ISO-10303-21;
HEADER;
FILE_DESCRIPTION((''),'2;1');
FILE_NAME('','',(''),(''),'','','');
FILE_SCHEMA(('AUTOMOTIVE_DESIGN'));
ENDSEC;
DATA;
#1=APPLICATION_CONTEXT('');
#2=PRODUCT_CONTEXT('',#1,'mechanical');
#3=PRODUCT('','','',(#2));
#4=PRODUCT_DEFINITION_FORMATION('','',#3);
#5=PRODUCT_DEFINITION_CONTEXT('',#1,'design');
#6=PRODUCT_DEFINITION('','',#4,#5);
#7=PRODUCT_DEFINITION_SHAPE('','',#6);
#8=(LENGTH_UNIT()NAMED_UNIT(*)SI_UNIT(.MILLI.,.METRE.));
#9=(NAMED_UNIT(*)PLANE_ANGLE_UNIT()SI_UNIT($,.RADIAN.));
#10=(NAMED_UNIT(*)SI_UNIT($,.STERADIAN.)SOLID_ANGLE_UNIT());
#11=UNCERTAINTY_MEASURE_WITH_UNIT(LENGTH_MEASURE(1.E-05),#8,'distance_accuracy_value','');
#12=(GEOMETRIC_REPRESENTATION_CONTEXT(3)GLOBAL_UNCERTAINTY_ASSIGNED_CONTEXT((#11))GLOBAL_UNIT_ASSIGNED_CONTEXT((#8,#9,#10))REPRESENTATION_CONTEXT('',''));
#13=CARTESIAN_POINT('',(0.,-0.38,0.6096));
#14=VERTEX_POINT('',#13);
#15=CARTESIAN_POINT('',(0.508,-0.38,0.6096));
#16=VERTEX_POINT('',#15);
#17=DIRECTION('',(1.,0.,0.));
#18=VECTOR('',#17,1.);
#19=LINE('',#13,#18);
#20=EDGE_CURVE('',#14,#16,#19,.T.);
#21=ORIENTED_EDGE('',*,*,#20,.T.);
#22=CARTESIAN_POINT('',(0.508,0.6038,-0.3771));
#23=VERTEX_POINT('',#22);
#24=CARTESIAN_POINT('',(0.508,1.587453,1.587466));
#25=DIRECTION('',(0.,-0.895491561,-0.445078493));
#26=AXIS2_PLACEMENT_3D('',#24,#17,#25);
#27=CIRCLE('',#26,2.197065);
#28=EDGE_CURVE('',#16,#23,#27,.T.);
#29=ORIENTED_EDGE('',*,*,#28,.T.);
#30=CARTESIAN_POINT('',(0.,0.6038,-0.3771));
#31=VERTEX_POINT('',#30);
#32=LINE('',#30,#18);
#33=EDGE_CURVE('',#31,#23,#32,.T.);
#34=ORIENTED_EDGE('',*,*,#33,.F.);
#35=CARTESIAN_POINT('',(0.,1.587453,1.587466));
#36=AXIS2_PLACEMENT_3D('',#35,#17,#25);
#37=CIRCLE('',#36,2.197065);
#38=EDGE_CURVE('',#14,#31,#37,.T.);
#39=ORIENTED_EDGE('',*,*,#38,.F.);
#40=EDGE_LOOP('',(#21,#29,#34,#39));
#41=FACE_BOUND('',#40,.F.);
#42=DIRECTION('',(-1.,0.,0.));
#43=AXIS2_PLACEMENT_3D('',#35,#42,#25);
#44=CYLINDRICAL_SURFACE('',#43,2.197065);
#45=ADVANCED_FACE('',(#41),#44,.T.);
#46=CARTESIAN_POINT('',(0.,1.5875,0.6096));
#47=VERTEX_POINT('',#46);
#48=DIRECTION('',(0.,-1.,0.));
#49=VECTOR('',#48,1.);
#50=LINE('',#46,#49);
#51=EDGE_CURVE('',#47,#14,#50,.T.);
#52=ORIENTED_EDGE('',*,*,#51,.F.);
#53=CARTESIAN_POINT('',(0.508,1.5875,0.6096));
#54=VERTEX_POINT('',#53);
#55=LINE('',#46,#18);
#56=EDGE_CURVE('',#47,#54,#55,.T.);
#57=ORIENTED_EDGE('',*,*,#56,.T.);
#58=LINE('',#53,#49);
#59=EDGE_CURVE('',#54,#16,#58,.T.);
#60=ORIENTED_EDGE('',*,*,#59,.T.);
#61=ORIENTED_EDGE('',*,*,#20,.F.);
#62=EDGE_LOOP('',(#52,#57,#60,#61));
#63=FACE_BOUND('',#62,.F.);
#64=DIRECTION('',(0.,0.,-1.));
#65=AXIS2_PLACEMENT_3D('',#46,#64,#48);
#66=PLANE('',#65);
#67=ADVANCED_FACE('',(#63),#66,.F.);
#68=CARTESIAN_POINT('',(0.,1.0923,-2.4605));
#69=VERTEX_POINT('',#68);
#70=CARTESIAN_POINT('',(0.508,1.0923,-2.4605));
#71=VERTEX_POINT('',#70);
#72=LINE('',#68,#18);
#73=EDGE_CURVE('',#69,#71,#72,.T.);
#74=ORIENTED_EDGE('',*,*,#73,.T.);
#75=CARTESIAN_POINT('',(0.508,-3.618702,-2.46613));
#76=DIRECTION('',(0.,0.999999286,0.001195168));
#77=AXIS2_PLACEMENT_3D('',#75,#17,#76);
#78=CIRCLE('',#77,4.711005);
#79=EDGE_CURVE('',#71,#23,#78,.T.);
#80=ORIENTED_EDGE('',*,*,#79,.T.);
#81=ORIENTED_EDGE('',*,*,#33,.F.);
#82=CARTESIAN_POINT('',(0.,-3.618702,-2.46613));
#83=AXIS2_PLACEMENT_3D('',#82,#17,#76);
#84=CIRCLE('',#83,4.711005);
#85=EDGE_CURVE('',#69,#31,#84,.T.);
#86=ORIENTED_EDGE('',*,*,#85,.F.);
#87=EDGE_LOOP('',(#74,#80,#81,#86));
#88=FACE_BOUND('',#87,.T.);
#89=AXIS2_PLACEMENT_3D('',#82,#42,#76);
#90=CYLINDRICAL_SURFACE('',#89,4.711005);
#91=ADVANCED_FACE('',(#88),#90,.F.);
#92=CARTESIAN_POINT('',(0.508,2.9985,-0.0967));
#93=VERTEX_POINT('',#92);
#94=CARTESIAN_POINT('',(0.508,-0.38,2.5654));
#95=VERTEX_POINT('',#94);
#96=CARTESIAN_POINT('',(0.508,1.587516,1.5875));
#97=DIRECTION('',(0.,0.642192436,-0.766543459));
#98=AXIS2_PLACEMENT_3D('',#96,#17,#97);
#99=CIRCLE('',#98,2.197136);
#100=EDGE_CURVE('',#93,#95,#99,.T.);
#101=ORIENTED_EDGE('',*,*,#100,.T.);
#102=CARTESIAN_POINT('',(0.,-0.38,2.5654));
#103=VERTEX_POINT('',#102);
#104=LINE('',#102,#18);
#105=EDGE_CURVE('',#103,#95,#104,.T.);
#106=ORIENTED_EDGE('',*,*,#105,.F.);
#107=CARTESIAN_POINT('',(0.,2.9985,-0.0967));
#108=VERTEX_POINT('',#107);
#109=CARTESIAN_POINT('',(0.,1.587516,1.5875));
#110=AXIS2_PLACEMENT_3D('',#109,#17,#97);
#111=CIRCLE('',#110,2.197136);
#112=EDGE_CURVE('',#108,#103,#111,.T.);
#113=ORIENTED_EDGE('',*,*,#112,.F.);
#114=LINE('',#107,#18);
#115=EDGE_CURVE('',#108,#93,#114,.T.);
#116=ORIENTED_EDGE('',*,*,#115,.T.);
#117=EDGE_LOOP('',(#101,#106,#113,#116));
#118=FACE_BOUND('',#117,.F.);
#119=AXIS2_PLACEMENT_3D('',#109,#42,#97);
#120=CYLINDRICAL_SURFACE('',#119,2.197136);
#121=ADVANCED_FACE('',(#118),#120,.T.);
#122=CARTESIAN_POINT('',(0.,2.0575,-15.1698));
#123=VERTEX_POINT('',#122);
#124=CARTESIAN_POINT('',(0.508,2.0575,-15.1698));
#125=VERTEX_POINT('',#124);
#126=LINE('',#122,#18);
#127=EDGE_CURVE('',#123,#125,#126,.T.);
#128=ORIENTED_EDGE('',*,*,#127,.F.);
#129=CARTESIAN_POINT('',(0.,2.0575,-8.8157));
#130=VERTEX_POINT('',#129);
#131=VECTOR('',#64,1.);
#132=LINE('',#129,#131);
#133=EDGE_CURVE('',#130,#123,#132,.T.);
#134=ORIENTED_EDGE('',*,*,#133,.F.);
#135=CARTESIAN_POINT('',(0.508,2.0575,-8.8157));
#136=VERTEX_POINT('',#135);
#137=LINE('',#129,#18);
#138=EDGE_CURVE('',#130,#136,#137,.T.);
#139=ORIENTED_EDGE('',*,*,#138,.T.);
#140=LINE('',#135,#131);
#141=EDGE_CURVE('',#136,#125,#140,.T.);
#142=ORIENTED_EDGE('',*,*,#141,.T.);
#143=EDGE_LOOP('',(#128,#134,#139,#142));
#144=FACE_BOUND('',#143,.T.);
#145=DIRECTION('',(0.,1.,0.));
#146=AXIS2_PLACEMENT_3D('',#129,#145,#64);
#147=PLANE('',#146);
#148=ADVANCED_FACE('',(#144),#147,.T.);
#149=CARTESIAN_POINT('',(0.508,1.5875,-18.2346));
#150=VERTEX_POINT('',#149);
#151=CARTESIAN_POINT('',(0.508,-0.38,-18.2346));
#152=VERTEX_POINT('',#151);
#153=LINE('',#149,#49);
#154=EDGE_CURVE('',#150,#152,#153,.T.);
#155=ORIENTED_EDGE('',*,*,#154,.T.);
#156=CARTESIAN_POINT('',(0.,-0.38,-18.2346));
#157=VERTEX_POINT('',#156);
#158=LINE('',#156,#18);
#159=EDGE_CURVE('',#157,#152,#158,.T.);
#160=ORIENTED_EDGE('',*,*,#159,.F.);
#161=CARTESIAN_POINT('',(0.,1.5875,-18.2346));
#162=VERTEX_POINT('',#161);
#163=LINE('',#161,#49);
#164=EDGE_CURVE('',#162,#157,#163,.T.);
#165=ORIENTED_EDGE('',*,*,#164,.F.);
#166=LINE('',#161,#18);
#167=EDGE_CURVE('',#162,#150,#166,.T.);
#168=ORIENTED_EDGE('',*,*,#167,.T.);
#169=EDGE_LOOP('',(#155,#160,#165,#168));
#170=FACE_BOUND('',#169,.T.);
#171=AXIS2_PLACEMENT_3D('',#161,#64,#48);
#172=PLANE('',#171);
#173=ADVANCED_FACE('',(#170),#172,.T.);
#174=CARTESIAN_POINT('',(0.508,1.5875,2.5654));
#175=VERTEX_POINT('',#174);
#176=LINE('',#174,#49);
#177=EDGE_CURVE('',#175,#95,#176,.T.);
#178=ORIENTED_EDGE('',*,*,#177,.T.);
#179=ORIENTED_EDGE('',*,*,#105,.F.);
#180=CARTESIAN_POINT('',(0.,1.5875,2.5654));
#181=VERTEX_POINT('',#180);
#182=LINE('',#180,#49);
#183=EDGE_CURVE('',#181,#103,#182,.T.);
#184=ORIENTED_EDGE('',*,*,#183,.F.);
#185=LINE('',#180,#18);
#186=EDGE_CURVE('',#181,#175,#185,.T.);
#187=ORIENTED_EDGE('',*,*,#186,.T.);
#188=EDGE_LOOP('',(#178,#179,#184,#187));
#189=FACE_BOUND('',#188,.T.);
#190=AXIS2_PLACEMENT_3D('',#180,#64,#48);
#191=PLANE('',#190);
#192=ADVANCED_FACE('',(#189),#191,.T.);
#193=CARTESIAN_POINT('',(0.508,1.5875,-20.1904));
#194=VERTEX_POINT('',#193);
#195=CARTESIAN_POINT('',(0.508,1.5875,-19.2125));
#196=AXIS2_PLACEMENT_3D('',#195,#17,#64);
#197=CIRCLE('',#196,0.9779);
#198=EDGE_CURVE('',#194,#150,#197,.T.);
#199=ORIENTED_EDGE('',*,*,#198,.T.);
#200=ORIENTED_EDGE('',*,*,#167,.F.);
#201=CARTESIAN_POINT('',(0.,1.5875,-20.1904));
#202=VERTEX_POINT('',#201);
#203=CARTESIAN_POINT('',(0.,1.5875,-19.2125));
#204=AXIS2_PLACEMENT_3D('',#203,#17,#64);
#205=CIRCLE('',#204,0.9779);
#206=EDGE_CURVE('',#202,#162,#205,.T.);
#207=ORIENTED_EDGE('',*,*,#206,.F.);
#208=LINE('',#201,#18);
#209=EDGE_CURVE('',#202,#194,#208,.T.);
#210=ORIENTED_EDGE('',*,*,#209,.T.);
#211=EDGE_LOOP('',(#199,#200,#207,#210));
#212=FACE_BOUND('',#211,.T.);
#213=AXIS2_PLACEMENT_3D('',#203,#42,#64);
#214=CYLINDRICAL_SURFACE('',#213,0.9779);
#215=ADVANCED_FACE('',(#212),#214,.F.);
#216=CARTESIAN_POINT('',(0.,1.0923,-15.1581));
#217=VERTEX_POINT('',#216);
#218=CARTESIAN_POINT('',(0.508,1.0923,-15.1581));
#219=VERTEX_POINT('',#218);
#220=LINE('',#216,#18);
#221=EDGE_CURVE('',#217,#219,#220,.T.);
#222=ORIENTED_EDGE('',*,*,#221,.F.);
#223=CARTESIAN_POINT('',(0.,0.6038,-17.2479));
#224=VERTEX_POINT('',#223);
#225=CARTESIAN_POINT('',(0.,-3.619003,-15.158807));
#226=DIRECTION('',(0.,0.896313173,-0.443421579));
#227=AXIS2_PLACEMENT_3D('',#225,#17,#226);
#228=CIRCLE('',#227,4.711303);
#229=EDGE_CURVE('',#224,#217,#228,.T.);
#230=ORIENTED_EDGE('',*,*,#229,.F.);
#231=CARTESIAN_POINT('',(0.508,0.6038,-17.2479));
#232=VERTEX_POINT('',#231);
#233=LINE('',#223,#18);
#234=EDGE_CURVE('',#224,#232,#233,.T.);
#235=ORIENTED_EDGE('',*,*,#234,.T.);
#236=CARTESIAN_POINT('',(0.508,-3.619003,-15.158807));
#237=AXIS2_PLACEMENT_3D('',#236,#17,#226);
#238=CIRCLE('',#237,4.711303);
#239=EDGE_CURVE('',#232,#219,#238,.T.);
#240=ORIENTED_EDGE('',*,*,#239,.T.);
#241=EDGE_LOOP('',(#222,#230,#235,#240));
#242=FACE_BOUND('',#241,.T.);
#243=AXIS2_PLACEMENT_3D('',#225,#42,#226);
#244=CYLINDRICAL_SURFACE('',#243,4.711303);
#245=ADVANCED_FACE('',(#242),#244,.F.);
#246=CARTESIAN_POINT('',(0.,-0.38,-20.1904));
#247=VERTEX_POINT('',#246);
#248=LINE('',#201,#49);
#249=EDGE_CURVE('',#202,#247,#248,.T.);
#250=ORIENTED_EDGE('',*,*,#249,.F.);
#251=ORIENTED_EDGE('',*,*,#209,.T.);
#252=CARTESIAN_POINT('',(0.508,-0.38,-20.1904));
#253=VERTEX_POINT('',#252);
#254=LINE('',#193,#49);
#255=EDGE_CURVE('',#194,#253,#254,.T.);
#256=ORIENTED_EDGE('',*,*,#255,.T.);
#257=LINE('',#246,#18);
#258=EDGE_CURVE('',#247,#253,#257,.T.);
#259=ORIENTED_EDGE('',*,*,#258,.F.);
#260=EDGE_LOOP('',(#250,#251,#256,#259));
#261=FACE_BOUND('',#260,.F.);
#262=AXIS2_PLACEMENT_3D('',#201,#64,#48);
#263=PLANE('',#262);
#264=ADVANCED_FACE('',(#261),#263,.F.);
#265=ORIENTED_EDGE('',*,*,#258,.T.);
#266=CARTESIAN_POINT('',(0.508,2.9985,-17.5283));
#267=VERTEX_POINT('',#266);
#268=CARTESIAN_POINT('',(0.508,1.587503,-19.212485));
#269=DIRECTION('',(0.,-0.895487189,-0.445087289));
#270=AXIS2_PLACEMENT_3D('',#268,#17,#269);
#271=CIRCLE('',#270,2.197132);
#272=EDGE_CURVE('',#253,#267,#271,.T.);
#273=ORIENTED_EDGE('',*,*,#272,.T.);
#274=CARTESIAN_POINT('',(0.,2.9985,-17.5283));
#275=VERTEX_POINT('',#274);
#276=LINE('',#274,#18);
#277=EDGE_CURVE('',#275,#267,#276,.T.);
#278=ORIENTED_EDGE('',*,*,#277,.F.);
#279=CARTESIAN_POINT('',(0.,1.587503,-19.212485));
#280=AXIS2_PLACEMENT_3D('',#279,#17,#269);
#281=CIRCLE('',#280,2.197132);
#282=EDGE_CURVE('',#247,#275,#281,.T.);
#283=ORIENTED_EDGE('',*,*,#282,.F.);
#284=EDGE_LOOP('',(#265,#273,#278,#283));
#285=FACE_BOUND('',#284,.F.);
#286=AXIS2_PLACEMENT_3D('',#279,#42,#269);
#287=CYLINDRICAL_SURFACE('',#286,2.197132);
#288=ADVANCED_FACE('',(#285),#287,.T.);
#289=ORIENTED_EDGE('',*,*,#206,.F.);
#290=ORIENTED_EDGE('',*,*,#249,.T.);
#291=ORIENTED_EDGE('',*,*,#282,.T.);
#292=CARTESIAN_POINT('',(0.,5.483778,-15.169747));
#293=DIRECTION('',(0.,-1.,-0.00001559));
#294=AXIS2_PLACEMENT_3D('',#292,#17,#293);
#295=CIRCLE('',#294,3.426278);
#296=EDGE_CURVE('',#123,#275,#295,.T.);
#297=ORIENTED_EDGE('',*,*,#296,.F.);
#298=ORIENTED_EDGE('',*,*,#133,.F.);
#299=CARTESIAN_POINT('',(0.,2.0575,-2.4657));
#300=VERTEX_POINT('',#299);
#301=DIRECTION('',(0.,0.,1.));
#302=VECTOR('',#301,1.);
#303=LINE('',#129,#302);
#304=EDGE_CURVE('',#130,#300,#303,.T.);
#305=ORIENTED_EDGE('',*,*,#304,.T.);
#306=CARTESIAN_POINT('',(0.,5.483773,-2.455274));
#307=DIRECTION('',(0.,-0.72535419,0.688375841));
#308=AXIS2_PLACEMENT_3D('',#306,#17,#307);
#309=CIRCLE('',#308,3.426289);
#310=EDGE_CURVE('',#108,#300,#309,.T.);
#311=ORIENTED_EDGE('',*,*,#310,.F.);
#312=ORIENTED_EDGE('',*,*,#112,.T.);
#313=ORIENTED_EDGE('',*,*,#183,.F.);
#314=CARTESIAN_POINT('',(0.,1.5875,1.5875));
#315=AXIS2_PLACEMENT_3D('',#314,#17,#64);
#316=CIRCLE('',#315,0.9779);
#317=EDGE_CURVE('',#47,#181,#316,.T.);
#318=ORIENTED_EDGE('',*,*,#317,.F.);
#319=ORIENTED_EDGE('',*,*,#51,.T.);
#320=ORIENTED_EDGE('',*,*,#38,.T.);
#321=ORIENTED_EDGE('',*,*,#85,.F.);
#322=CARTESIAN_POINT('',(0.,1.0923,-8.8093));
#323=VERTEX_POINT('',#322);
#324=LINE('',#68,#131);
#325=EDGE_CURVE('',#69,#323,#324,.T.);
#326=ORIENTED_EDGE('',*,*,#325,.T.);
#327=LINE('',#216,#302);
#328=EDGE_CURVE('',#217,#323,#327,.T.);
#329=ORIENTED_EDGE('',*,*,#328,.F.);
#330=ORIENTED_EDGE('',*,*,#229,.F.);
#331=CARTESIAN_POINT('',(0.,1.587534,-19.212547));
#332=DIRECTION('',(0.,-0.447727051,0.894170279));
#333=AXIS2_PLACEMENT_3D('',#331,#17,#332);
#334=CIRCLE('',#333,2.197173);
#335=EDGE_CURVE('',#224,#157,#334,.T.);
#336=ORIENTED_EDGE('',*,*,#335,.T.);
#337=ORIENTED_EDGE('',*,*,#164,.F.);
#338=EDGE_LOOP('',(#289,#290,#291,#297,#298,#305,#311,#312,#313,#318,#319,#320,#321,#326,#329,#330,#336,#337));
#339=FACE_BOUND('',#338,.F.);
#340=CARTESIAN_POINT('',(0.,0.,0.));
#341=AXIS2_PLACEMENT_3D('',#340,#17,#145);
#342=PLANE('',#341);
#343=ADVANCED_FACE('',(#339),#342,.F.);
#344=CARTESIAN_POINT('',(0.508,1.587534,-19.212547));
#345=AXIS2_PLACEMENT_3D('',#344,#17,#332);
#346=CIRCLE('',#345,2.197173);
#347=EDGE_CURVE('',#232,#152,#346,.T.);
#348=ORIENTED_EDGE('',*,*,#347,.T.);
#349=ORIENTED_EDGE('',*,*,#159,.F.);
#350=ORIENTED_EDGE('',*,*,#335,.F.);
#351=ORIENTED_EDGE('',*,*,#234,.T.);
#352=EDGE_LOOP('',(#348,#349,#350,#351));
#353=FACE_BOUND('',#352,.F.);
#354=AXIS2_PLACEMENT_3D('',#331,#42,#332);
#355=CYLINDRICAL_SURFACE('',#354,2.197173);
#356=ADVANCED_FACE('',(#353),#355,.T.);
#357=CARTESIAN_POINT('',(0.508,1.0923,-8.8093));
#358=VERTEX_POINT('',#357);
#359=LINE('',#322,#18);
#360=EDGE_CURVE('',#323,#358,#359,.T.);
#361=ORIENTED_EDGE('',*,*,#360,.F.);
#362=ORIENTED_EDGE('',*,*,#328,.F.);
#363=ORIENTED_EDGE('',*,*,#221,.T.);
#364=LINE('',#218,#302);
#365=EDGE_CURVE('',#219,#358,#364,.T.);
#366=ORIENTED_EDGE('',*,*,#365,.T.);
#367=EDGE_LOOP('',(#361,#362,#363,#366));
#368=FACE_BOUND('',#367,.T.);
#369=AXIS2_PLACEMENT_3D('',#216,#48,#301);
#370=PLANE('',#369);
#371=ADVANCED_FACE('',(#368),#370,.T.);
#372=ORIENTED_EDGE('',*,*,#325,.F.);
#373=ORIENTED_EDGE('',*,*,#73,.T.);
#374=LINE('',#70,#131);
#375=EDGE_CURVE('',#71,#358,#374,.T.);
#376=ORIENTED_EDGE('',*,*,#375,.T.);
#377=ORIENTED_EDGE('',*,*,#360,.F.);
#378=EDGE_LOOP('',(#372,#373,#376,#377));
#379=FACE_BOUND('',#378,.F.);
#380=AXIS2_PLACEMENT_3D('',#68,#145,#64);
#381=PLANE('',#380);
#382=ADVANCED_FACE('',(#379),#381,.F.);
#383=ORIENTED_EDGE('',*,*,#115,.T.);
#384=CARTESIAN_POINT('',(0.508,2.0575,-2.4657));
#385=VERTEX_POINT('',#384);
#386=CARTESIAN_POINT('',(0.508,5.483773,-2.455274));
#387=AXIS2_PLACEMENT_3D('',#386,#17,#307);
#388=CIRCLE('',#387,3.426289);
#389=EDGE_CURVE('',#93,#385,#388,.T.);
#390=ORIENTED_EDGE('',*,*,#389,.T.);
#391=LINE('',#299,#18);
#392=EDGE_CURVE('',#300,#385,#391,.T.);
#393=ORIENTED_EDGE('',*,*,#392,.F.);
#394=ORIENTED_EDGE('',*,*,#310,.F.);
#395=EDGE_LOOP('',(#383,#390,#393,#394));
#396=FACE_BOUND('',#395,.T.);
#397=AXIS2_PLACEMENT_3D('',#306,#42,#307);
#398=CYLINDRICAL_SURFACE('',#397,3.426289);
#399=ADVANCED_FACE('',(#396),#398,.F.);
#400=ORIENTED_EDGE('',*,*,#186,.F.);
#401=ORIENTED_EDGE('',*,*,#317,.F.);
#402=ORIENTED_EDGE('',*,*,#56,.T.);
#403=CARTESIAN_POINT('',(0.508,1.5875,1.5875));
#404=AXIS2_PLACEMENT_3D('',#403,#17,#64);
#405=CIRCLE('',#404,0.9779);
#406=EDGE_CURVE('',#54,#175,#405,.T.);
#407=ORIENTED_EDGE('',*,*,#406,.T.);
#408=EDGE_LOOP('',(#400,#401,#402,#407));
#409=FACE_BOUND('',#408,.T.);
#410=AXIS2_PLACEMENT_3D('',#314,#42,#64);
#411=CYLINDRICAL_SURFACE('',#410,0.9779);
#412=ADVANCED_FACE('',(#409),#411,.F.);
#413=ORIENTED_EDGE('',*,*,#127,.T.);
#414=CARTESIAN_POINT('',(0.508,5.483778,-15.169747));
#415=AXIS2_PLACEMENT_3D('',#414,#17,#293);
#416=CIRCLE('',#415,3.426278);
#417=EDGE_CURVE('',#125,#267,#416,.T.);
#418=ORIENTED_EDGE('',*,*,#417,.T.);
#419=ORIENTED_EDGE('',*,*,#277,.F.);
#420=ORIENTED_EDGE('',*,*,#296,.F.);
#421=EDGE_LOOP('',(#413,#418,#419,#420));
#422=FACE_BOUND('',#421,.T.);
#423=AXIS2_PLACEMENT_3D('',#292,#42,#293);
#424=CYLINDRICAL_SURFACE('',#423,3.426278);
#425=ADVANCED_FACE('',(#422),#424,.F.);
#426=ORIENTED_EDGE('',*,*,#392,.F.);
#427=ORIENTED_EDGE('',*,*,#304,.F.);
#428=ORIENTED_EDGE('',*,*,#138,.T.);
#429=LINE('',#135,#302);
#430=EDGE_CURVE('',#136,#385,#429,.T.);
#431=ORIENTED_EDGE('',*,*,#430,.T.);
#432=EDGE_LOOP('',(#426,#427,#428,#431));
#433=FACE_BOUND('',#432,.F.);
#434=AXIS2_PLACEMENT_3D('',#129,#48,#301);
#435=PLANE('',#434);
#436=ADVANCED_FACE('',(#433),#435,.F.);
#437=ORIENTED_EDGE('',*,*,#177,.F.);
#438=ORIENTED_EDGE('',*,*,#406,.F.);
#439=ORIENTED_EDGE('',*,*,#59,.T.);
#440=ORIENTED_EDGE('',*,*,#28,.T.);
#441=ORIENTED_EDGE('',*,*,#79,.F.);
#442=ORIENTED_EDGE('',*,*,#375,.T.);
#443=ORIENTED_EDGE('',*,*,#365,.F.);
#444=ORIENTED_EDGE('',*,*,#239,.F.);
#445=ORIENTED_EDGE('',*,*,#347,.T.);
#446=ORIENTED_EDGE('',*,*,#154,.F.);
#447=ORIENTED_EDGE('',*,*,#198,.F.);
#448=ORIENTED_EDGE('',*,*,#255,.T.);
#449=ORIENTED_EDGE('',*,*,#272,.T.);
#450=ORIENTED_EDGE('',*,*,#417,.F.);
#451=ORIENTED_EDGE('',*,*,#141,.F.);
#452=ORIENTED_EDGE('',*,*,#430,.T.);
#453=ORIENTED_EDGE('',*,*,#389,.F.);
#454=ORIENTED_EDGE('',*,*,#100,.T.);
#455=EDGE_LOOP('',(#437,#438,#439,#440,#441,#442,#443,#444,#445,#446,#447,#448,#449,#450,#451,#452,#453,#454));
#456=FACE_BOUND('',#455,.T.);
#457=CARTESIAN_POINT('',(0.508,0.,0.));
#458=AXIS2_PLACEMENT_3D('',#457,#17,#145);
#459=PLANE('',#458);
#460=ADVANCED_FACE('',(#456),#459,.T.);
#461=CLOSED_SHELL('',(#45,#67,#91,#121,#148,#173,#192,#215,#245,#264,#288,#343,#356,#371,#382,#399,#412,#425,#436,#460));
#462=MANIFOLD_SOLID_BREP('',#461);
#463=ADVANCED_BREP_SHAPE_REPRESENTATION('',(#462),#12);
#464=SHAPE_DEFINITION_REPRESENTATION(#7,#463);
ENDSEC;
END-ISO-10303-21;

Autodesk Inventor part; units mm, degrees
ref_plane "YZ Plane" through (0, 0, 0) normal (1, 0, 0) x (0, 1, 0)
ref_plane "XZ Plane" through (0, 0, 0) normal (0, 1, 0) x (-1, 0, 0)
ref_plane "XY Plane" through (0, 0, 0) normal (0, 0, 1) x (1, 0, 0)
sketch "Sketch1" plane through (0, 0, 0) normal (1, 0, 0) x (0, 1, 0)
  arc A0 (1.5875, 0.6096) -> (1.5875, 2.5654) centre (1.5875, 1.5875) ccw
  line L0 (1.5875, 2.5654) -> (-0.38, 2.5654)
  line L1 (1.5875, 0.6096) -> (-0.38, 0.6096)
  arc A1 (-0.38, 0.6096) -> (0.6038, -0.3771) centre (1.5875, 1.5875) ccw
  arc A2 (2.9985, -0.0967) -> (-0.38, 2.5654) centre (1.5875, 1.5875) ccw
  arc A3 (2.9985, -0.0967) -> (2.0575, -2.4657) centre (5.4835, -2.4551) ccw
  arc A4 (1.0923, -2.4605) -> (0.6038, -0.3771) centre (-3.6193, -2.4662) ccw
  line L2 (1.0923, -2.4593) -> (1.0923, -8.8093)
  line L3 (2.0575, -8.8157) -> (2.0575, -2.4657)
  arc A5 (1.5875, -20.1904) -> (1.5875, -18.2346) centre (1.5875, -19.2125) ccw
  line L4 (1.5875, -20.1904) -> (-0.38, -20.1904)
  line L5 (1.5875, -18.2346) -> (-0.38, -18.2346)
  arc A6 (0.6038, -17.2479) -> (-0.38, -18.2346) centre (1.5875, -19.2125) ccw
  arc A7 (-0.38, -20.1904) -> (2.9985, -17.5283) centre (1.5875, -19.2125) ccw
  arc A8 (2.0575, -15.1698) -> (2.9985, -17.5283) centre (5.4835, -15.1698) ccw
  arc A9 (0.6038, -17.2479) -> (1.0923, -15.1581) centre (-3.6193, -15.1587) ccw
  line L6 (1.0923, -15.1593) -> (1.0923, -8.8093)
  line L7 (2.0575, -8.8157) -> (2.0575, -15.1698)
  line L8 (2.0575, -2.4657) -> (2.0575, -15.1698)
  line L9 (1.0923, -15.1581) -> (1.0923, -2.4593)
  dimension "d11" = 1.9558
extrude "Extrusion2" add sketch "Sketch1" along normal blind 0.508
properties part number "ARM LONG" material "Aluminum 6061"
